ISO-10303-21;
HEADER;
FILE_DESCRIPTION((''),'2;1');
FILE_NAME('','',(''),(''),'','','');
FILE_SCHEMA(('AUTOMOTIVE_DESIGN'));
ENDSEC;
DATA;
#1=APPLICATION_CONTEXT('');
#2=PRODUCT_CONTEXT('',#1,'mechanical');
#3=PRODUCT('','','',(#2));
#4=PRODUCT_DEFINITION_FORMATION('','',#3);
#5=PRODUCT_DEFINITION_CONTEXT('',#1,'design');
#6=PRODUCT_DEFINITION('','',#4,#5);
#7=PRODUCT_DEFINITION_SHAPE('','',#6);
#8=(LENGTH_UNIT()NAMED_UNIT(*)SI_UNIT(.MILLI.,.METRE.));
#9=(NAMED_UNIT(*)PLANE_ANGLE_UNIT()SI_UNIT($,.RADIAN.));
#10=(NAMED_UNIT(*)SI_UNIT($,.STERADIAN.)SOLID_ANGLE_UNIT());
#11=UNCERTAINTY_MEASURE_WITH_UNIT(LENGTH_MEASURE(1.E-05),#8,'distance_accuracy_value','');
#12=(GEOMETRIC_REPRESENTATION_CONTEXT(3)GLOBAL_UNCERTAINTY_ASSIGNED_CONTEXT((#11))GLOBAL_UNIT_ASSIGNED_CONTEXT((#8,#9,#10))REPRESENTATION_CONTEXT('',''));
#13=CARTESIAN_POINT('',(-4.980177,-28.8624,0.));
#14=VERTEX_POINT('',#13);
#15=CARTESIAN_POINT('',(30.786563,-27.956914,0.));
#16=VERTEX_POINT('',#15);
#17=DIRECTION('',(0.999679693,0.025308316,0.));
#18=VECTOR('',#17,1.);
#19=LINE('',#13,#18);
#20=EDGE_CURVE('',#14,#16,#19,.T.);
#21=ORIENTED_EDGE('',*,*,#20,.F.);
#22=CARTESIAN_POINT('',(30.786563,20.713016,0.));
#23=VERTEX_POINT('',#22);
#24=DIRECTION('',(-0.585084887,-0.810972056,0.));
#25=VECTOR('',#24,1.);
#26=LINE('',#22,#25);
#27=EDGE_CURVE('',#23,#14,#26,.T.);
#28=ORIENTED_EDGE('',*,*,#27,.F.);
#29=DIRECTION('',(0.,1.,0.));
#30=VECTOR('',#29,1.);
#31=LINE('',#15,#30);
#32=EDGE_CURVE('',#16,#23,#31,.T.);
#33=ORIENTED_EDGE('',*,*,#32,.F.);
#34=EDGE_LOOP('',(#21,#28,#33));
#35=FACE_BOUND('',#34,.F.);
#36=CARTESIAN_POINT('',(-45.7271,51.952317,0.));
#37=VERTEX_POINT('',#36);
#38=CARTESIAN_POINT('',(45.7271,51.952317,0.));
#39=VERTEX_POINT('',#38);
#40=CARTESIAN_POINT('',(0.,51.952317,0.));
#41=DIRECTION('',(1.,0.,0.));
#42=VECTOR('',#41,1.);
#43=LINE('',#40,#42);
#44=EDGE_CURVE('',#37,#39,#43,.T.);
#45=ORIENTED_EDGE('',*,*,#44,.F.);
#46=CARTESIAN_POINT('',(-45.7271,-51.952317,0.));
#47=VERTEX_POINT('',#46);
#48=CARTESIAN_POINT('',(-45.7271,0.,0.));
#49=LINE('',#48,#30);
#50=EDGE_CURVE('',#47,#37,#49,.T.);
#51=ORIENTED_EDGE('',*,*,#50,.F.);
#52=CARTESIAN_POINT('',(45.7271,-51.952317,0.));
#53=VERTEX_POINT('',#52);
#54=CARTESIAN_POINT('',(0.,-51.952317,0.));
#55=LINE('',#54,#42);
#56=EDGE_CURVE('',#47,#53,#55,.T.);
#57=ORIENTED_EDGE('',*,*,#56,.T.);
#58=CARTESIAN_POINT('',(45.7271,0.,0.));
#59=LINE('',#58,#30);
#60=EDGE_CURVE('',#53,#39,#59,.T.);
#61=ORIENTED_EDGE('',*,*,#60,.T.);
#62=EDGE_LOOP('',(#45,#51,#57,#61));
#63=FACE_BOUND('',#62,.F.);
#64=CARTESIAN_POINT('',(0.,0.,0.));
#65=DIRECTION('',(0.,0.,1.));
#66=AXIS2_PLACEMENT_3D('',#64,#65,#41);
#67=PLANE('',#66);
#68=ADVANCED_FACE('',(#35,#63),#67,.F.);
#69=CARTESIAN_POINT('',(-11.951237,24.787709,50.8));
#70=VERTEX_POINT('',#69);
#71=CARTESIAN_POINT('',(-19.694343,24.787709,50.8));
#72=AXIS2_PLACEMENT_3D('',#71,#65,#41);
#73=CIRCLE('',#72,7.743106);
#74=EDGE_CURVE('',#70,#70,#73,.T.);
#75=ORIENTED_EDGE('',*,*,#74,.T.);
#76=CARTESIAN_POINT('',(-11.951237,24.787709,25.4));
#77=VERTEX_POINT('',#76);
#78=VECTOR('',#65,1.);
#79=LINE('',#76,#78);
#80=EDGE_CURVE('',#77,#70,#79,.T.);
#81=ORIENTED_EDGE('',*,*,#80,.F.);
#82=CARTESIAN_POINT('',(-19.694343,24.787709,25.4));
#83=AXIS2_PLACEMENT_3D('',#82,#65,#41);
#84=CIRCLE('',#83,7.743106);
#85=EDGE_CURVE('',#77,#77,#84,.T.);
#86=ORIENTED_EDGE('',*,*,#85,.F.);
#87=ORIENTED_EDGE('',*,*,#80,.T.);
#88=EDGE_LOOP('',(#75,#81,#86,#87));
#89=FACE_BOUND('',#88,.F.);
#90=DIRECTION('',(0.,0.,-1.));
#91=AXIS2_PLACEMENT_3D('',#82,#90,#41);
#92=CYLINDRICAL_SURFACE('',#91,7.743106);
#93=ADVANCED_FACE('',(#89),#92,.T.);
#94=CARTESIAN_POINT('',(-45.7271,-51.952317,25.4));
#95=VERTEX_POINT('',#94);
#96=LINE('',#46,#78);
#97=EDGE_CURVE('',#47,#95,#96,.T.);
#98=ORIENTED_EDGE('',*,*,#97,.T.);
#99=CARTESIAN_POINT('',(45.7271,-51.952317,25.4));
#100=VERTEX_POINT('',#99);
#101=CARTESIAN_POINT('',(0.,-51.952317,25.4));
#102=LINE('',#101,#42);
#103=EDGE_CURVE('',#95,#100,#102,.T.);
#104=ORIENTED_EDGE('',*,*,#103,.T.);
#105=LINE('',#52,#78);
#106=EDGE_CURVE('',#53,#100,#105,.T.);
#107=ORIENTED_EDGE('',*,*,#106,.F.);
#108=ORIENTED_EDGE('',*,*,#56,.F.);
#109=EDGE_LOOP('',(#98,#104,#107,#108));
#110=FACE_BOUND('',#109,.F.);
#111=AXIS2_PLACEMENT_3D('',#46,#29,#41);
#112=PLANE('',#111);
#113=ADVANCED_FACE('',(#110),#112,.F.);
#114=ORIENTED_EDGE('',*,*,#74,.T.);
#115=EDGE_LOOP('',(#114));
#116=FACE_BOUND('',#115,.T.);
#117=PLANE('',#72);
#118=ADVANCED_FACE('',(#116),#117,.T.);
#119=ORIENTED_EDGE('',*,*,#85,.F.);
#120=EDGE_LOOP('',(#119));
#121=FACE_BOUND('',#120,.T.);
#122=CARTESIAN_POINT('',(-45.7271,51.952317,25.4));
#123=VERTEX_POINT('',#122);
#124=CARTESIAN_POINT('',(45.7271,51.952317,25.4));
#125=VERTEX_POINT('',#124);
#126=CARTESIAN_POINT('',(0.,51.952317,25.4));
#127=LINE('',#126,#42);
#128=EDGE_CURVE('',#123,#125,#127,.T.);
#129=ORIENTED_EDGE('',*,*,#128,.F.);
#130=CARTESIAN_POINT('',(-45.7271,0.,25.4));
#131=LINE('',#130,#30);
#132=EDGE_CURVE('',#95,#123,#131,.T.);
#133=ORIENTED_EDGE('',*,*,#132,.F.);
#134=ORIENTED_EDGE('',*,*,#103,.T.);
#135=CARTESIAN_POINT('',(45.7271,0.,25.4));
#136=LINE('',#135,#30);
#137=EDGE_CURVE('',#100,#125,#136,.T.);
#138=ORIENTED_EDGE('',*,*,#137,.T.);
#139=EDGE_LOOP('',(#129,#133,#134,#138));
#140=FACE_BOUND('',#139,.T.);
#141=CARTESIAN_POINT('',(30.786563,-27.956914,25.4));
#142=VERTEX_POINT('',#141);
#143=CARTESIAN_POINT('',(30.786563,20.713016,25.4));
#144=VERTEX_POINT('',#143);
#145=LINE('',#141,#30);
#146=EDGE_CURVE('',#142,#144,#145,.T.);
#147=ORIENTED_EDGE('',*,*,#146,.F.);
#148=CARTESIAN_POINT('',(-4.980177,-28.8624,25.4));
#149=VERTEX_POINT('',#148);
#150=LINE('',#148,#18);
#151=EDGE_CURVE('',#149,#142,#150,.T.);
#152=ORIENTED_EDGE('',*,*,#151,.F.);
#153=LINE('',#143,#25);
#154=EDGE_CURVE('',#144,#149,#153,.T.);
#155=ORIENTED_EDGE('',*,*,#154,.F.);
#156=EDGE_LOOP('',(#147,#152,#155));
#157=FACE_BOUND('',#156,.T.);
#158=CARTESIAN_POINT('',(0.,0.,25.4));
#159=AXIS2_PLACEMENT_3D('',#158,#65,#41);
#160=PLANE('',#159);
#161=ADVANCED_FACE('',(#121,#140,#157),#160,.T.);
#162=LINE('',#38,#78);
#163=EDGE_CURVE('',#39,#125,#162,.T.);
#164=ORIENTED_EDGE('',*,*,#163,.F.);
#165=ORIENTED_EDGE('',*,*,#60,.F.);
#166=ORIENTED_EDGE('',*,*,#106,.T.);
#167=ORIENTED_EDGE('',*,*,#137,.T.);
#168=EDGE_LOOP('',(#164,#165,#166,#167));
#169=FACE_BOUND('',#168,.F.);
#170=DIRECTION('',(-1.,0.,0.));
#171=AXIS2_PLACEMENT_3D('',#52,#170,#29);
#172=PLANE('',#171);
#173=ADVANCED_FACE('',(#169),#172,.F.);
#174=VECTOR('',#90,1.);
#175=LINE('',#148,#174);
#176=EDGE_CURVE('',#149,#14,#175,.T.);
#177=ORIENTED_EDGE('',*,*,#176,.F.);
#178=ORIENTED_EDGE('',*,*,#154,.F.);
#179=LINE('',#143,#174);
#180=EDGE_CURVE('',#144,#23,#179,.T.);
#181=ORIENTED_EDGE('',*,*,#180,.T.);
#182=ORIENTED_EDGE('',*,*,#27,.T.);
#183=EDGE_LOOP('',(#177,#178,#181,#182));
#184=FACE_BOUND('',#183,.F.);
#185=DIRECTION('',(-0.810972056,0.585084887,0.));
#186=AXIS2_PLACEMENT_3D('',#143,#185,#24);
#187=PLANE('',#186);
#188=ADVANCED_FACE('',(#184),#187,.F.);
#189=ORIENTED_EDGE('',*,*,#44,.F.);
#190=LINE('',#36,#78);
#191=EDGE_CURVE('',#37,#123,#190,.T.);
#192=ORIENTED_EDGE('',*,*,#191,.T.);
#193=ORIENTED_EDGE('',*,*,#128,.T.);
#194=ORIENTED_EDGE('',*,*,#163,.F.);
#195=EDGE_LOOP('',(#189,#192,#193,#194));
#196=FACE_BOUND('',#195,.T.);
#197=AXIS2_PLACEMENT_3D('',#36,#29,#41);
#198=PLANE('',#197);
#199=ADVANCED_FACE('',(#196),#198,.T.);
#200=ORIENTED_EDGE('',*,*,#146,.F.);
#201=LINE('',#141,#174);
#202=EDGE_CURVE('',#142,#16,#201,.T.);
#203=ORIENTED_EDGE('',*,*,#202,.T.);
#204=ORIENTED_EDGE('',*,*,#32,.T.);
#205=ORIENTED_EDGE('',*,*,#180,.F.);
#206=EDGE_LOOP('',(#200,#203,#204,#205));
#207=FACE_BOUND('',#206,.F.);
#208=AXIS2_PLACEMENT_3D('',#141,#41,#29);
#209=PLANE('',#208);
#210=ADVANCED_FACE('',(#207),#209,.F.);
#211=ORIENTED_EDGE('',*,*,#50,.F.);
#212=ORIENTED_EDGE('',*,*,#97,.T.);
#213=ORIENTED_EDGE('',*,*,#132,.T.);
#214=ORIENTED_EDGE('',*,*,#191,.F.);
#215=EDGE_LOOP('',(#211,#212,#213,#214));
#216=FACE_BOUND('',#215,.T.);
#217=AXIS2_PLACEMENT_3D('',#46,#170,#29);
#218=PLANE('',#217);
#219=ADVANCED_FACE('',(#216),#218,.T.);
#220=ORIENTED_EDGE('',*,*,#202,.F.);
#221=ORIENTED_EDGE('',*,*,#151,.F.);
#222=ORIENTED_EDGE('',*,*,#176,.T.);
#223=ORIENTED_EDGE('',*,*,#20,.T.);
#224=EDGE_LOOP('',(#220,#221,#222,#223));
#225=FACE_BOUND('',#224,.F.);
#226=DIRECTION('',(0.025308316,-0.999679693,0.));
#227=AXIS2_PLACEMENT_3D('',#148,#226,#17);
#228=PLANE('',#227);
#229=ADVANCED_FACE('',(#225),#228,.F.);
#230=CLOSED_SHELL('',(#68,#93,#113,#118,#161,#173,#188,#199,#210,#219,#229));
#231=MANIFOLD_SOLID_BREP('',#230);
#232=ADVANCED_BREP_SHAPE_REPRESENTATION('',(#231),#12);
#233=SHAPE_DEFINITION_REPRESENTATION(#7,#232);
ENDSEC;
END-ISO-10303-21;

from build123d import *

# Parameters (mm, degrees)
F0_W     = 91.4542
F0_H     = 103.904634
F1_DEPTH = 25.4
F2_R     = 7.743106
F3_DEPTH = 25.4
F4_DEPTH = 25.4


with BuildPart() as f1:
    # F0 (on Top) → F1 (new body)
    with BuildSketch(Plane.XY):
        Rectangle(F0_W, F0_H)
    extrude(amount=F1_DEPTH)

    # F2 (on face) → F3 (join)
    with BuildSketch(Plane.XY.offset(25.4)):
        with Locations((-19.694343, 24.787709)):
            Circle(F2_R)
    extrude(amount=F3_DEPTH)

    # F2 (on face) → F4 (cut)
    with BuildSketch(Plane.XY.offset(25.4)):
        Polygon((30.786563, 20.713016), (-4.980177, -28.8624), (30.786563, -27.956914), align=None)
    extrude(amount=-F4_DEPTH, mode=Mode.SUBTRACT)


solid = f1.part
